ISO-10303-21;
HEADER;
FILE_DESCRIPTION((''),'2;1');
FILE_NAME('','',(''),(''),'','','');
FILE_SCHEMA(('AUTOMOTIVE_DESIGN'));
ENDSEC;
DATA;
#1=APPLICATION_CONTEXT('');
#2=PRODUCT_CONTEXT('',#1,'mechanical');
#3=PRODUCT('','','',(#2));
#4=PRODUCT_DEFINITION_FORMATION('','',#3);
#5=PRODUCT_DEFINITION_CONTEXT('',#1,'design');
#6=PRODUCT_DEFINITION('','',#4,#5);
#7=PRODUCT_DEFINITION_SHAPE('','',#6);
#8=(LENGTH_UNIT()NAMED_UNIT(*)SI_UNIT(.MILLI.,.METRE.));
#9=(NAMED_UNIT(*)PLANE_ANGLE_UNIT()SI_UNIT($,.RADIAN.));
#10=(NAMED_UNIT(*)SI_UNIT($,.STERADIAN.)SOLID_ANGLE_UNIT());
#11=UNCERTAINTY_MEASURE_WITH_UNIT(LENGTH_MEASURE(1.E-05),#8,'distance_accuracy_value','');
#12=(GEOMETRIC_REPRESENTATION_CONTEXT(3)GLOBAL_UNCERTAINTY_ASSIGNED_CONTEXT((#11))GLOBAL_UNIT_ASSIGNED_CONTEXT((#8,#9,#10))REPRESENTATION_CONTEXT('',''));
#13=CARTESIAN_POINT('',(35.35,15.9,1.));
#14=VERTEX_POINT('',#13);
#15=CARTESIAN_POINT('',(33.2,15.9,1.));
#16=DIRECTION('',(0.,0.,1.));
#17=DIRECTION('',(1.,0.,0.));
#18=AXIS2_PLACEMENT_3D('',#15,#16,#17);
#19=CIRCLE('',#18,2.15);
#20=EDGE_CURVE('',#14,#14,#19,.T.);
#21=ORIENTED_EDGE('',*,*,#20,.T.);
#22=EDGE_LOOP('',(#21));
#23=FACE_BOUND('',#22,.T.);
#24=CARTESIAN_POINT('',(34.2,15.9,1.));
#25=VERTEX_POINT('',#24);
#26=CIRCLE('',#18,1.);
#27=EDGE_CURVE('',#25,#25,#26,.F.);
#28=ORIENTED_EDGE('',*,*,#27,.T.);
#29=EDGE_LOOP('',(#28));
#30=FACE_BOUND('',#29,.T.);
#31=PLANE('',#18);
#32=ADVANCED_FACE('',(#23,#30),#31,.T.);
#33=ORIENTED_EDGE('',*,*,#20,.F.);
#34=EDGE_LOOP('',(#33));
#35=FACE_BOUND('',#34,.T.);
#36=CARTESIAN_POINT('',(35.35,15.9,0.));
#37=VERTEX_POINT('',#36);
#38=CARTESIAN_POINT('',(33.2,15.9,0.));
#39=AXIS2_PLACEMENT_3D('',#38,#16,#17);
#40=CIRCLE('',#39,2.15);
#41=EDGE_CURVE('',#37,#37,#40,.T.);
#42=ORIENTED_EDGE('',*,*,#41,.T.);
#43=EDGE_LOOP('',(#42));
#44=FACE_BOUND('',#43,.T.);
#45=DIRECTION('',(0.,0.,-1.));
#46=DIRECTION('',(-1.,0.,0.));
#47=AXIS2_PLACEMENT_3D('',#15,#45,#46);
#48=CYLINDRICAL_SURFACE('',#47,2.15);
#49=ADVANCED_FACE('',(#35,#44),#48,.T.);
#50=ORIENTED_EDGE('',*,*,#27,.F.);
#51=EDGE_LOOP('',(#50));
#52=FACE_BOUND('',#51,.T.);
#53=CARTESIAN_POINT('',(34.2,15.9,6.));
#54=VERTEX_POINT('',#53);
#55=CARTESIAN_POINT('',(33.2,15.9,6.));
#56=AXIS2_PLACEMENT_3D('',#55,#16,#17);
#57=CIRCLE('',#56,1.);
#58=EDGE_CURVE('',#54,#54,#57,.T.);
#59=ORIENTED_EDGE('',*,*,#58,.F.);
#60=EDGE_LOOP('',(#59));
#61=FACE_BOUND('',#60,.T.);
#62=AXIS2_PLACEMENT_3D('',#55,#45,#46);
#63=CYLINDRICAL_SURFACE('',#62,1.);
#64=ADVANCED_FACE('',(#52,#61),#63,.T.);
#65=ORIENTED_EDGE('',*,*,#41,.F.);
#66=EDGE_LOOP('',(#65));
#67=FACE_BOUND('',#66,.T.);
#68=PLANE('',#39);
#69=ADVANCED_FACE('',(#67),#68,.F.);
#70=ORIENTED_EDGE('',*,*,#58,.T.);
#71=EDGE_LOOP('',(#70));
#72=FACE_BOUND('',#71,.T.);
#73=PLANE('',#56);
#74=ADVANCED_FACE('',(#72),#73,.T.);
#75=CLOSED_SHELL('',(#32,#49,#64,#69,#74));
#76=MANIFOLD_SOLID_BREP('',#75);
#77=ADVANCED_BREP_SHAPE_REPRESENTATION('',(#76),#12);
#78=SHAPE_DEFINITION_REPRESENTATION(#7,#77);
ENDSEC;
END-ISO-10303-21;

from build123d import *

# Parameters (mm, degrees)
MODEL_R                 = 2.15
SALIENTE_EXTRUIR1_DEPTH = 1
CROQUIS2_R              = 1
SALIENTE_EXTRUIR2_DEPTH = 6


with BuildPart() as part:
    # Model → Saliente-Extruir1 (new body)
    with BuildSketch(Plane.XY):
        with Locations((33.2, 15.9)):
            Circle(MODEL_R)
    extrude(amount=SALIENTE_EXTRUIR1_DEPTH)

    # Croquis2 → Saliente-Extruir2 (add)
    with BuildSketch(Plane.XY):
        with Locations((33.2, 15.9)):
            Circle(CROQUIS2_R)
    extrude(amount=SALIENTE_EXTRUIR2_DEPTH)


solid = part.part
